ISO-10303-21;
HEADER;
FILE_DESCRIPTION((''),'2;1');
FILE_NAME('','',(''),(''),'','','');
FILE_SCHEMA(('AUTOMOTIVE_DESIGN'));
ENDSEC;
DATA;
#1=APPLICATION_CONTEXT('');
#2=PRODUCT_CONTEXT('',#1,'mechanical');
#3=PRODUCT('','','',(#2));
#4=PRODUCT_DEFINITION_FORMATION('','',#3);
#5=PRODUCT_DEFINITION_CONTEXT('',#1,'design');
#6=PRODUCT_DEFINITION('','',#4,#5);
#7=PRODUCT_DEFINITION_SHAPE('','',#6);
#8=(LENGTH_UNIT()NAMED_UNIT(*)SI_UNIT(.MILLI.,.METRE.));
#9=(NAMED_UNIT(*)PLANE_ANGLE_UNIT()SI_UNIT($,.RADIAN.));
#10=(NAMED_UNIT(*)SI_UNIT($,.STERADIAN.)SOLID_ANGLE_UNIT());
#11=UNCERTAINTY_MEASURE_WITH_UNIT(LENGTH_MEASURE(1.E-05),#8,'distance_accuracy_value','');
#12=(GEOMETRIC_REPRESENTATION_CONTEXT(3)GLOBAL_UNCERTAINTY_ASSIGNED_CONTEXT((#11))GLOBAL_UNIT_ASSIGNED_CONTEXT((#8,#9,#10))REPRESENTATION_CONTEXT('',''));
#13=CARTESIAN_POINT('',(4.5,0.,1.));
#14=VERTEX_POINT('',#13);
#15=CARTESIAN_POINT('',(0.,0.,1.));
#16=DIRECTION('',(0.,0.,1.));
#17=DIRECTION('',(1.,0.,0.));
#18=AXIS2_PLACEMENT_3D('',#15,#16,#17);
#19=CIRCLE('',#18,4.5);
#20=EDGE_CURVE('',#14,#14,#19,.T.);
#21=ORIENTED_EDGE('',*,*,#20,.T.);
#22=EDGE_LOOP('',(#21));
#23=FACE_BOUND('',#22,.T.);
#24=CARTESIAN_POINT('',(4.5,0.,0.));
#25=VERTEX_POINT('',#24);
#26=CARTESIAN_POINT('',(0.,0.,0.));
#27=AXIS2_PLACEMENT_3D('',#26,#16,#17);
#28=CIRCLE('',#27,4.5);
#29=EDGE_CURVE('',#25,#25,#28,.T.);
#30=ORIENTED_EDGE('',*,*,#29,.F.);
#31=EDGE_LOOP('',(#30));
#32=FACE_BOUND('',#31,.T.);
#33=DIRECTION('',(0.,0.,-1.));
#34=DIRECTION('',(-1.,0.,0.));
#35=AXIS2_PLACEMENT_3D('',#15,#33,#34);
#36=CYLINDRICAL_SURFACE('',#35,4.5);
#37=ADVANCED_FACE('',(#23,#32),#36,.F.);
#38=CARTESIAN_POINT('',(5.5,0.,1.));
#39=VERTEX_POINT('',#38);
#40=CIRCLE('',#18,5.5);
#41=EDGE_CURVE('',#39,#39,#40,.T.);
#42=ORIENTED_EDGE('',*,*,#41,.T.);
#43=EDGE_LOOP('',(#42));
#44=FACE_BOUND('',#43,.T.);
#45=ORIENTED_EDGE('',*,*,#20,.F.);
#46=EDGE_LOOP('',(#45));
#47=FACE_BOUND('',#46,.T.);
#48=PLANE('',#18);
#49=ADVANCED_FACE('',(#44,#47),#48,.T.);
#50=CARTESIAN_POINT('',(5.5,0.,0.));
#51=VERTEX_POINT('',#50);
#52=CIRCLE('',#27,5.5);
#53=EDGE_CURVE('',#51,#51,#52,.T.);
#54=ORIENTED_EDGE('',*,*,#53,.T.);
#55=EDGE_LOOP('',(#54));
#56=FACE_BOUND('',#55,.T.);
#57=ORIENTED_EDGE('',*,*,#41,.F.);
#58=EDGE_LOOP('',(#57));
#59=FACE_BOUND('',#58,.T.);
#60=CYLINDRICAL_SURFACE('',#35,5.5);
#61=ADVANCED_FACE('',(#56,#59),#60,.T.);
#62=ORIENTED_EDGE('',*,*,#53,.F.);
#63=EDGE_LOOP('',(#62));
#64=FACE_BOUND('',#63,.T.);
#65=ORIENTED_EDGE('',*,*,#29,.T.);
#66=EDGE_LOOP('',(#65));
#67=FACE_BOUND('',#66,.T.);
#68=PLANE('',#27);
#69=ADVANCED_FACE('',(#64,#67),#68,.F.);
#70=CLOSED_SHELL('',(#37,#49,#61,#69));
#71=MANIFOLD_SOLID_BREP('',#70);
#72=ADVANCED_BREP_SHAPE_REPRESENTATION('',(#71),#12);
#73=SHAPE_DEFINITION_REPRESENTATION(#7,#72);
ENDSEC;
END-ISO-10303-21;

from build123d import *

# Parameters (mm, degrees)
SKETCH1_R           = 5.5
SKETCH1_R_2         = 4.5
BOSS_EXTRUDE1_DEPTH = 1


with BuildPart() as part:
    # Sketch1 → Boss-Extrude1 (new body)
    with BuildSketch(Plane.XY):
        Circle(SKETCH1_R)
        Circle(SKETCH1_R_2, mode=Mode.SUBTRACT)
    extrude(amount=BOSS_EXTRUDE1_DEPTH)


solid = part.part
